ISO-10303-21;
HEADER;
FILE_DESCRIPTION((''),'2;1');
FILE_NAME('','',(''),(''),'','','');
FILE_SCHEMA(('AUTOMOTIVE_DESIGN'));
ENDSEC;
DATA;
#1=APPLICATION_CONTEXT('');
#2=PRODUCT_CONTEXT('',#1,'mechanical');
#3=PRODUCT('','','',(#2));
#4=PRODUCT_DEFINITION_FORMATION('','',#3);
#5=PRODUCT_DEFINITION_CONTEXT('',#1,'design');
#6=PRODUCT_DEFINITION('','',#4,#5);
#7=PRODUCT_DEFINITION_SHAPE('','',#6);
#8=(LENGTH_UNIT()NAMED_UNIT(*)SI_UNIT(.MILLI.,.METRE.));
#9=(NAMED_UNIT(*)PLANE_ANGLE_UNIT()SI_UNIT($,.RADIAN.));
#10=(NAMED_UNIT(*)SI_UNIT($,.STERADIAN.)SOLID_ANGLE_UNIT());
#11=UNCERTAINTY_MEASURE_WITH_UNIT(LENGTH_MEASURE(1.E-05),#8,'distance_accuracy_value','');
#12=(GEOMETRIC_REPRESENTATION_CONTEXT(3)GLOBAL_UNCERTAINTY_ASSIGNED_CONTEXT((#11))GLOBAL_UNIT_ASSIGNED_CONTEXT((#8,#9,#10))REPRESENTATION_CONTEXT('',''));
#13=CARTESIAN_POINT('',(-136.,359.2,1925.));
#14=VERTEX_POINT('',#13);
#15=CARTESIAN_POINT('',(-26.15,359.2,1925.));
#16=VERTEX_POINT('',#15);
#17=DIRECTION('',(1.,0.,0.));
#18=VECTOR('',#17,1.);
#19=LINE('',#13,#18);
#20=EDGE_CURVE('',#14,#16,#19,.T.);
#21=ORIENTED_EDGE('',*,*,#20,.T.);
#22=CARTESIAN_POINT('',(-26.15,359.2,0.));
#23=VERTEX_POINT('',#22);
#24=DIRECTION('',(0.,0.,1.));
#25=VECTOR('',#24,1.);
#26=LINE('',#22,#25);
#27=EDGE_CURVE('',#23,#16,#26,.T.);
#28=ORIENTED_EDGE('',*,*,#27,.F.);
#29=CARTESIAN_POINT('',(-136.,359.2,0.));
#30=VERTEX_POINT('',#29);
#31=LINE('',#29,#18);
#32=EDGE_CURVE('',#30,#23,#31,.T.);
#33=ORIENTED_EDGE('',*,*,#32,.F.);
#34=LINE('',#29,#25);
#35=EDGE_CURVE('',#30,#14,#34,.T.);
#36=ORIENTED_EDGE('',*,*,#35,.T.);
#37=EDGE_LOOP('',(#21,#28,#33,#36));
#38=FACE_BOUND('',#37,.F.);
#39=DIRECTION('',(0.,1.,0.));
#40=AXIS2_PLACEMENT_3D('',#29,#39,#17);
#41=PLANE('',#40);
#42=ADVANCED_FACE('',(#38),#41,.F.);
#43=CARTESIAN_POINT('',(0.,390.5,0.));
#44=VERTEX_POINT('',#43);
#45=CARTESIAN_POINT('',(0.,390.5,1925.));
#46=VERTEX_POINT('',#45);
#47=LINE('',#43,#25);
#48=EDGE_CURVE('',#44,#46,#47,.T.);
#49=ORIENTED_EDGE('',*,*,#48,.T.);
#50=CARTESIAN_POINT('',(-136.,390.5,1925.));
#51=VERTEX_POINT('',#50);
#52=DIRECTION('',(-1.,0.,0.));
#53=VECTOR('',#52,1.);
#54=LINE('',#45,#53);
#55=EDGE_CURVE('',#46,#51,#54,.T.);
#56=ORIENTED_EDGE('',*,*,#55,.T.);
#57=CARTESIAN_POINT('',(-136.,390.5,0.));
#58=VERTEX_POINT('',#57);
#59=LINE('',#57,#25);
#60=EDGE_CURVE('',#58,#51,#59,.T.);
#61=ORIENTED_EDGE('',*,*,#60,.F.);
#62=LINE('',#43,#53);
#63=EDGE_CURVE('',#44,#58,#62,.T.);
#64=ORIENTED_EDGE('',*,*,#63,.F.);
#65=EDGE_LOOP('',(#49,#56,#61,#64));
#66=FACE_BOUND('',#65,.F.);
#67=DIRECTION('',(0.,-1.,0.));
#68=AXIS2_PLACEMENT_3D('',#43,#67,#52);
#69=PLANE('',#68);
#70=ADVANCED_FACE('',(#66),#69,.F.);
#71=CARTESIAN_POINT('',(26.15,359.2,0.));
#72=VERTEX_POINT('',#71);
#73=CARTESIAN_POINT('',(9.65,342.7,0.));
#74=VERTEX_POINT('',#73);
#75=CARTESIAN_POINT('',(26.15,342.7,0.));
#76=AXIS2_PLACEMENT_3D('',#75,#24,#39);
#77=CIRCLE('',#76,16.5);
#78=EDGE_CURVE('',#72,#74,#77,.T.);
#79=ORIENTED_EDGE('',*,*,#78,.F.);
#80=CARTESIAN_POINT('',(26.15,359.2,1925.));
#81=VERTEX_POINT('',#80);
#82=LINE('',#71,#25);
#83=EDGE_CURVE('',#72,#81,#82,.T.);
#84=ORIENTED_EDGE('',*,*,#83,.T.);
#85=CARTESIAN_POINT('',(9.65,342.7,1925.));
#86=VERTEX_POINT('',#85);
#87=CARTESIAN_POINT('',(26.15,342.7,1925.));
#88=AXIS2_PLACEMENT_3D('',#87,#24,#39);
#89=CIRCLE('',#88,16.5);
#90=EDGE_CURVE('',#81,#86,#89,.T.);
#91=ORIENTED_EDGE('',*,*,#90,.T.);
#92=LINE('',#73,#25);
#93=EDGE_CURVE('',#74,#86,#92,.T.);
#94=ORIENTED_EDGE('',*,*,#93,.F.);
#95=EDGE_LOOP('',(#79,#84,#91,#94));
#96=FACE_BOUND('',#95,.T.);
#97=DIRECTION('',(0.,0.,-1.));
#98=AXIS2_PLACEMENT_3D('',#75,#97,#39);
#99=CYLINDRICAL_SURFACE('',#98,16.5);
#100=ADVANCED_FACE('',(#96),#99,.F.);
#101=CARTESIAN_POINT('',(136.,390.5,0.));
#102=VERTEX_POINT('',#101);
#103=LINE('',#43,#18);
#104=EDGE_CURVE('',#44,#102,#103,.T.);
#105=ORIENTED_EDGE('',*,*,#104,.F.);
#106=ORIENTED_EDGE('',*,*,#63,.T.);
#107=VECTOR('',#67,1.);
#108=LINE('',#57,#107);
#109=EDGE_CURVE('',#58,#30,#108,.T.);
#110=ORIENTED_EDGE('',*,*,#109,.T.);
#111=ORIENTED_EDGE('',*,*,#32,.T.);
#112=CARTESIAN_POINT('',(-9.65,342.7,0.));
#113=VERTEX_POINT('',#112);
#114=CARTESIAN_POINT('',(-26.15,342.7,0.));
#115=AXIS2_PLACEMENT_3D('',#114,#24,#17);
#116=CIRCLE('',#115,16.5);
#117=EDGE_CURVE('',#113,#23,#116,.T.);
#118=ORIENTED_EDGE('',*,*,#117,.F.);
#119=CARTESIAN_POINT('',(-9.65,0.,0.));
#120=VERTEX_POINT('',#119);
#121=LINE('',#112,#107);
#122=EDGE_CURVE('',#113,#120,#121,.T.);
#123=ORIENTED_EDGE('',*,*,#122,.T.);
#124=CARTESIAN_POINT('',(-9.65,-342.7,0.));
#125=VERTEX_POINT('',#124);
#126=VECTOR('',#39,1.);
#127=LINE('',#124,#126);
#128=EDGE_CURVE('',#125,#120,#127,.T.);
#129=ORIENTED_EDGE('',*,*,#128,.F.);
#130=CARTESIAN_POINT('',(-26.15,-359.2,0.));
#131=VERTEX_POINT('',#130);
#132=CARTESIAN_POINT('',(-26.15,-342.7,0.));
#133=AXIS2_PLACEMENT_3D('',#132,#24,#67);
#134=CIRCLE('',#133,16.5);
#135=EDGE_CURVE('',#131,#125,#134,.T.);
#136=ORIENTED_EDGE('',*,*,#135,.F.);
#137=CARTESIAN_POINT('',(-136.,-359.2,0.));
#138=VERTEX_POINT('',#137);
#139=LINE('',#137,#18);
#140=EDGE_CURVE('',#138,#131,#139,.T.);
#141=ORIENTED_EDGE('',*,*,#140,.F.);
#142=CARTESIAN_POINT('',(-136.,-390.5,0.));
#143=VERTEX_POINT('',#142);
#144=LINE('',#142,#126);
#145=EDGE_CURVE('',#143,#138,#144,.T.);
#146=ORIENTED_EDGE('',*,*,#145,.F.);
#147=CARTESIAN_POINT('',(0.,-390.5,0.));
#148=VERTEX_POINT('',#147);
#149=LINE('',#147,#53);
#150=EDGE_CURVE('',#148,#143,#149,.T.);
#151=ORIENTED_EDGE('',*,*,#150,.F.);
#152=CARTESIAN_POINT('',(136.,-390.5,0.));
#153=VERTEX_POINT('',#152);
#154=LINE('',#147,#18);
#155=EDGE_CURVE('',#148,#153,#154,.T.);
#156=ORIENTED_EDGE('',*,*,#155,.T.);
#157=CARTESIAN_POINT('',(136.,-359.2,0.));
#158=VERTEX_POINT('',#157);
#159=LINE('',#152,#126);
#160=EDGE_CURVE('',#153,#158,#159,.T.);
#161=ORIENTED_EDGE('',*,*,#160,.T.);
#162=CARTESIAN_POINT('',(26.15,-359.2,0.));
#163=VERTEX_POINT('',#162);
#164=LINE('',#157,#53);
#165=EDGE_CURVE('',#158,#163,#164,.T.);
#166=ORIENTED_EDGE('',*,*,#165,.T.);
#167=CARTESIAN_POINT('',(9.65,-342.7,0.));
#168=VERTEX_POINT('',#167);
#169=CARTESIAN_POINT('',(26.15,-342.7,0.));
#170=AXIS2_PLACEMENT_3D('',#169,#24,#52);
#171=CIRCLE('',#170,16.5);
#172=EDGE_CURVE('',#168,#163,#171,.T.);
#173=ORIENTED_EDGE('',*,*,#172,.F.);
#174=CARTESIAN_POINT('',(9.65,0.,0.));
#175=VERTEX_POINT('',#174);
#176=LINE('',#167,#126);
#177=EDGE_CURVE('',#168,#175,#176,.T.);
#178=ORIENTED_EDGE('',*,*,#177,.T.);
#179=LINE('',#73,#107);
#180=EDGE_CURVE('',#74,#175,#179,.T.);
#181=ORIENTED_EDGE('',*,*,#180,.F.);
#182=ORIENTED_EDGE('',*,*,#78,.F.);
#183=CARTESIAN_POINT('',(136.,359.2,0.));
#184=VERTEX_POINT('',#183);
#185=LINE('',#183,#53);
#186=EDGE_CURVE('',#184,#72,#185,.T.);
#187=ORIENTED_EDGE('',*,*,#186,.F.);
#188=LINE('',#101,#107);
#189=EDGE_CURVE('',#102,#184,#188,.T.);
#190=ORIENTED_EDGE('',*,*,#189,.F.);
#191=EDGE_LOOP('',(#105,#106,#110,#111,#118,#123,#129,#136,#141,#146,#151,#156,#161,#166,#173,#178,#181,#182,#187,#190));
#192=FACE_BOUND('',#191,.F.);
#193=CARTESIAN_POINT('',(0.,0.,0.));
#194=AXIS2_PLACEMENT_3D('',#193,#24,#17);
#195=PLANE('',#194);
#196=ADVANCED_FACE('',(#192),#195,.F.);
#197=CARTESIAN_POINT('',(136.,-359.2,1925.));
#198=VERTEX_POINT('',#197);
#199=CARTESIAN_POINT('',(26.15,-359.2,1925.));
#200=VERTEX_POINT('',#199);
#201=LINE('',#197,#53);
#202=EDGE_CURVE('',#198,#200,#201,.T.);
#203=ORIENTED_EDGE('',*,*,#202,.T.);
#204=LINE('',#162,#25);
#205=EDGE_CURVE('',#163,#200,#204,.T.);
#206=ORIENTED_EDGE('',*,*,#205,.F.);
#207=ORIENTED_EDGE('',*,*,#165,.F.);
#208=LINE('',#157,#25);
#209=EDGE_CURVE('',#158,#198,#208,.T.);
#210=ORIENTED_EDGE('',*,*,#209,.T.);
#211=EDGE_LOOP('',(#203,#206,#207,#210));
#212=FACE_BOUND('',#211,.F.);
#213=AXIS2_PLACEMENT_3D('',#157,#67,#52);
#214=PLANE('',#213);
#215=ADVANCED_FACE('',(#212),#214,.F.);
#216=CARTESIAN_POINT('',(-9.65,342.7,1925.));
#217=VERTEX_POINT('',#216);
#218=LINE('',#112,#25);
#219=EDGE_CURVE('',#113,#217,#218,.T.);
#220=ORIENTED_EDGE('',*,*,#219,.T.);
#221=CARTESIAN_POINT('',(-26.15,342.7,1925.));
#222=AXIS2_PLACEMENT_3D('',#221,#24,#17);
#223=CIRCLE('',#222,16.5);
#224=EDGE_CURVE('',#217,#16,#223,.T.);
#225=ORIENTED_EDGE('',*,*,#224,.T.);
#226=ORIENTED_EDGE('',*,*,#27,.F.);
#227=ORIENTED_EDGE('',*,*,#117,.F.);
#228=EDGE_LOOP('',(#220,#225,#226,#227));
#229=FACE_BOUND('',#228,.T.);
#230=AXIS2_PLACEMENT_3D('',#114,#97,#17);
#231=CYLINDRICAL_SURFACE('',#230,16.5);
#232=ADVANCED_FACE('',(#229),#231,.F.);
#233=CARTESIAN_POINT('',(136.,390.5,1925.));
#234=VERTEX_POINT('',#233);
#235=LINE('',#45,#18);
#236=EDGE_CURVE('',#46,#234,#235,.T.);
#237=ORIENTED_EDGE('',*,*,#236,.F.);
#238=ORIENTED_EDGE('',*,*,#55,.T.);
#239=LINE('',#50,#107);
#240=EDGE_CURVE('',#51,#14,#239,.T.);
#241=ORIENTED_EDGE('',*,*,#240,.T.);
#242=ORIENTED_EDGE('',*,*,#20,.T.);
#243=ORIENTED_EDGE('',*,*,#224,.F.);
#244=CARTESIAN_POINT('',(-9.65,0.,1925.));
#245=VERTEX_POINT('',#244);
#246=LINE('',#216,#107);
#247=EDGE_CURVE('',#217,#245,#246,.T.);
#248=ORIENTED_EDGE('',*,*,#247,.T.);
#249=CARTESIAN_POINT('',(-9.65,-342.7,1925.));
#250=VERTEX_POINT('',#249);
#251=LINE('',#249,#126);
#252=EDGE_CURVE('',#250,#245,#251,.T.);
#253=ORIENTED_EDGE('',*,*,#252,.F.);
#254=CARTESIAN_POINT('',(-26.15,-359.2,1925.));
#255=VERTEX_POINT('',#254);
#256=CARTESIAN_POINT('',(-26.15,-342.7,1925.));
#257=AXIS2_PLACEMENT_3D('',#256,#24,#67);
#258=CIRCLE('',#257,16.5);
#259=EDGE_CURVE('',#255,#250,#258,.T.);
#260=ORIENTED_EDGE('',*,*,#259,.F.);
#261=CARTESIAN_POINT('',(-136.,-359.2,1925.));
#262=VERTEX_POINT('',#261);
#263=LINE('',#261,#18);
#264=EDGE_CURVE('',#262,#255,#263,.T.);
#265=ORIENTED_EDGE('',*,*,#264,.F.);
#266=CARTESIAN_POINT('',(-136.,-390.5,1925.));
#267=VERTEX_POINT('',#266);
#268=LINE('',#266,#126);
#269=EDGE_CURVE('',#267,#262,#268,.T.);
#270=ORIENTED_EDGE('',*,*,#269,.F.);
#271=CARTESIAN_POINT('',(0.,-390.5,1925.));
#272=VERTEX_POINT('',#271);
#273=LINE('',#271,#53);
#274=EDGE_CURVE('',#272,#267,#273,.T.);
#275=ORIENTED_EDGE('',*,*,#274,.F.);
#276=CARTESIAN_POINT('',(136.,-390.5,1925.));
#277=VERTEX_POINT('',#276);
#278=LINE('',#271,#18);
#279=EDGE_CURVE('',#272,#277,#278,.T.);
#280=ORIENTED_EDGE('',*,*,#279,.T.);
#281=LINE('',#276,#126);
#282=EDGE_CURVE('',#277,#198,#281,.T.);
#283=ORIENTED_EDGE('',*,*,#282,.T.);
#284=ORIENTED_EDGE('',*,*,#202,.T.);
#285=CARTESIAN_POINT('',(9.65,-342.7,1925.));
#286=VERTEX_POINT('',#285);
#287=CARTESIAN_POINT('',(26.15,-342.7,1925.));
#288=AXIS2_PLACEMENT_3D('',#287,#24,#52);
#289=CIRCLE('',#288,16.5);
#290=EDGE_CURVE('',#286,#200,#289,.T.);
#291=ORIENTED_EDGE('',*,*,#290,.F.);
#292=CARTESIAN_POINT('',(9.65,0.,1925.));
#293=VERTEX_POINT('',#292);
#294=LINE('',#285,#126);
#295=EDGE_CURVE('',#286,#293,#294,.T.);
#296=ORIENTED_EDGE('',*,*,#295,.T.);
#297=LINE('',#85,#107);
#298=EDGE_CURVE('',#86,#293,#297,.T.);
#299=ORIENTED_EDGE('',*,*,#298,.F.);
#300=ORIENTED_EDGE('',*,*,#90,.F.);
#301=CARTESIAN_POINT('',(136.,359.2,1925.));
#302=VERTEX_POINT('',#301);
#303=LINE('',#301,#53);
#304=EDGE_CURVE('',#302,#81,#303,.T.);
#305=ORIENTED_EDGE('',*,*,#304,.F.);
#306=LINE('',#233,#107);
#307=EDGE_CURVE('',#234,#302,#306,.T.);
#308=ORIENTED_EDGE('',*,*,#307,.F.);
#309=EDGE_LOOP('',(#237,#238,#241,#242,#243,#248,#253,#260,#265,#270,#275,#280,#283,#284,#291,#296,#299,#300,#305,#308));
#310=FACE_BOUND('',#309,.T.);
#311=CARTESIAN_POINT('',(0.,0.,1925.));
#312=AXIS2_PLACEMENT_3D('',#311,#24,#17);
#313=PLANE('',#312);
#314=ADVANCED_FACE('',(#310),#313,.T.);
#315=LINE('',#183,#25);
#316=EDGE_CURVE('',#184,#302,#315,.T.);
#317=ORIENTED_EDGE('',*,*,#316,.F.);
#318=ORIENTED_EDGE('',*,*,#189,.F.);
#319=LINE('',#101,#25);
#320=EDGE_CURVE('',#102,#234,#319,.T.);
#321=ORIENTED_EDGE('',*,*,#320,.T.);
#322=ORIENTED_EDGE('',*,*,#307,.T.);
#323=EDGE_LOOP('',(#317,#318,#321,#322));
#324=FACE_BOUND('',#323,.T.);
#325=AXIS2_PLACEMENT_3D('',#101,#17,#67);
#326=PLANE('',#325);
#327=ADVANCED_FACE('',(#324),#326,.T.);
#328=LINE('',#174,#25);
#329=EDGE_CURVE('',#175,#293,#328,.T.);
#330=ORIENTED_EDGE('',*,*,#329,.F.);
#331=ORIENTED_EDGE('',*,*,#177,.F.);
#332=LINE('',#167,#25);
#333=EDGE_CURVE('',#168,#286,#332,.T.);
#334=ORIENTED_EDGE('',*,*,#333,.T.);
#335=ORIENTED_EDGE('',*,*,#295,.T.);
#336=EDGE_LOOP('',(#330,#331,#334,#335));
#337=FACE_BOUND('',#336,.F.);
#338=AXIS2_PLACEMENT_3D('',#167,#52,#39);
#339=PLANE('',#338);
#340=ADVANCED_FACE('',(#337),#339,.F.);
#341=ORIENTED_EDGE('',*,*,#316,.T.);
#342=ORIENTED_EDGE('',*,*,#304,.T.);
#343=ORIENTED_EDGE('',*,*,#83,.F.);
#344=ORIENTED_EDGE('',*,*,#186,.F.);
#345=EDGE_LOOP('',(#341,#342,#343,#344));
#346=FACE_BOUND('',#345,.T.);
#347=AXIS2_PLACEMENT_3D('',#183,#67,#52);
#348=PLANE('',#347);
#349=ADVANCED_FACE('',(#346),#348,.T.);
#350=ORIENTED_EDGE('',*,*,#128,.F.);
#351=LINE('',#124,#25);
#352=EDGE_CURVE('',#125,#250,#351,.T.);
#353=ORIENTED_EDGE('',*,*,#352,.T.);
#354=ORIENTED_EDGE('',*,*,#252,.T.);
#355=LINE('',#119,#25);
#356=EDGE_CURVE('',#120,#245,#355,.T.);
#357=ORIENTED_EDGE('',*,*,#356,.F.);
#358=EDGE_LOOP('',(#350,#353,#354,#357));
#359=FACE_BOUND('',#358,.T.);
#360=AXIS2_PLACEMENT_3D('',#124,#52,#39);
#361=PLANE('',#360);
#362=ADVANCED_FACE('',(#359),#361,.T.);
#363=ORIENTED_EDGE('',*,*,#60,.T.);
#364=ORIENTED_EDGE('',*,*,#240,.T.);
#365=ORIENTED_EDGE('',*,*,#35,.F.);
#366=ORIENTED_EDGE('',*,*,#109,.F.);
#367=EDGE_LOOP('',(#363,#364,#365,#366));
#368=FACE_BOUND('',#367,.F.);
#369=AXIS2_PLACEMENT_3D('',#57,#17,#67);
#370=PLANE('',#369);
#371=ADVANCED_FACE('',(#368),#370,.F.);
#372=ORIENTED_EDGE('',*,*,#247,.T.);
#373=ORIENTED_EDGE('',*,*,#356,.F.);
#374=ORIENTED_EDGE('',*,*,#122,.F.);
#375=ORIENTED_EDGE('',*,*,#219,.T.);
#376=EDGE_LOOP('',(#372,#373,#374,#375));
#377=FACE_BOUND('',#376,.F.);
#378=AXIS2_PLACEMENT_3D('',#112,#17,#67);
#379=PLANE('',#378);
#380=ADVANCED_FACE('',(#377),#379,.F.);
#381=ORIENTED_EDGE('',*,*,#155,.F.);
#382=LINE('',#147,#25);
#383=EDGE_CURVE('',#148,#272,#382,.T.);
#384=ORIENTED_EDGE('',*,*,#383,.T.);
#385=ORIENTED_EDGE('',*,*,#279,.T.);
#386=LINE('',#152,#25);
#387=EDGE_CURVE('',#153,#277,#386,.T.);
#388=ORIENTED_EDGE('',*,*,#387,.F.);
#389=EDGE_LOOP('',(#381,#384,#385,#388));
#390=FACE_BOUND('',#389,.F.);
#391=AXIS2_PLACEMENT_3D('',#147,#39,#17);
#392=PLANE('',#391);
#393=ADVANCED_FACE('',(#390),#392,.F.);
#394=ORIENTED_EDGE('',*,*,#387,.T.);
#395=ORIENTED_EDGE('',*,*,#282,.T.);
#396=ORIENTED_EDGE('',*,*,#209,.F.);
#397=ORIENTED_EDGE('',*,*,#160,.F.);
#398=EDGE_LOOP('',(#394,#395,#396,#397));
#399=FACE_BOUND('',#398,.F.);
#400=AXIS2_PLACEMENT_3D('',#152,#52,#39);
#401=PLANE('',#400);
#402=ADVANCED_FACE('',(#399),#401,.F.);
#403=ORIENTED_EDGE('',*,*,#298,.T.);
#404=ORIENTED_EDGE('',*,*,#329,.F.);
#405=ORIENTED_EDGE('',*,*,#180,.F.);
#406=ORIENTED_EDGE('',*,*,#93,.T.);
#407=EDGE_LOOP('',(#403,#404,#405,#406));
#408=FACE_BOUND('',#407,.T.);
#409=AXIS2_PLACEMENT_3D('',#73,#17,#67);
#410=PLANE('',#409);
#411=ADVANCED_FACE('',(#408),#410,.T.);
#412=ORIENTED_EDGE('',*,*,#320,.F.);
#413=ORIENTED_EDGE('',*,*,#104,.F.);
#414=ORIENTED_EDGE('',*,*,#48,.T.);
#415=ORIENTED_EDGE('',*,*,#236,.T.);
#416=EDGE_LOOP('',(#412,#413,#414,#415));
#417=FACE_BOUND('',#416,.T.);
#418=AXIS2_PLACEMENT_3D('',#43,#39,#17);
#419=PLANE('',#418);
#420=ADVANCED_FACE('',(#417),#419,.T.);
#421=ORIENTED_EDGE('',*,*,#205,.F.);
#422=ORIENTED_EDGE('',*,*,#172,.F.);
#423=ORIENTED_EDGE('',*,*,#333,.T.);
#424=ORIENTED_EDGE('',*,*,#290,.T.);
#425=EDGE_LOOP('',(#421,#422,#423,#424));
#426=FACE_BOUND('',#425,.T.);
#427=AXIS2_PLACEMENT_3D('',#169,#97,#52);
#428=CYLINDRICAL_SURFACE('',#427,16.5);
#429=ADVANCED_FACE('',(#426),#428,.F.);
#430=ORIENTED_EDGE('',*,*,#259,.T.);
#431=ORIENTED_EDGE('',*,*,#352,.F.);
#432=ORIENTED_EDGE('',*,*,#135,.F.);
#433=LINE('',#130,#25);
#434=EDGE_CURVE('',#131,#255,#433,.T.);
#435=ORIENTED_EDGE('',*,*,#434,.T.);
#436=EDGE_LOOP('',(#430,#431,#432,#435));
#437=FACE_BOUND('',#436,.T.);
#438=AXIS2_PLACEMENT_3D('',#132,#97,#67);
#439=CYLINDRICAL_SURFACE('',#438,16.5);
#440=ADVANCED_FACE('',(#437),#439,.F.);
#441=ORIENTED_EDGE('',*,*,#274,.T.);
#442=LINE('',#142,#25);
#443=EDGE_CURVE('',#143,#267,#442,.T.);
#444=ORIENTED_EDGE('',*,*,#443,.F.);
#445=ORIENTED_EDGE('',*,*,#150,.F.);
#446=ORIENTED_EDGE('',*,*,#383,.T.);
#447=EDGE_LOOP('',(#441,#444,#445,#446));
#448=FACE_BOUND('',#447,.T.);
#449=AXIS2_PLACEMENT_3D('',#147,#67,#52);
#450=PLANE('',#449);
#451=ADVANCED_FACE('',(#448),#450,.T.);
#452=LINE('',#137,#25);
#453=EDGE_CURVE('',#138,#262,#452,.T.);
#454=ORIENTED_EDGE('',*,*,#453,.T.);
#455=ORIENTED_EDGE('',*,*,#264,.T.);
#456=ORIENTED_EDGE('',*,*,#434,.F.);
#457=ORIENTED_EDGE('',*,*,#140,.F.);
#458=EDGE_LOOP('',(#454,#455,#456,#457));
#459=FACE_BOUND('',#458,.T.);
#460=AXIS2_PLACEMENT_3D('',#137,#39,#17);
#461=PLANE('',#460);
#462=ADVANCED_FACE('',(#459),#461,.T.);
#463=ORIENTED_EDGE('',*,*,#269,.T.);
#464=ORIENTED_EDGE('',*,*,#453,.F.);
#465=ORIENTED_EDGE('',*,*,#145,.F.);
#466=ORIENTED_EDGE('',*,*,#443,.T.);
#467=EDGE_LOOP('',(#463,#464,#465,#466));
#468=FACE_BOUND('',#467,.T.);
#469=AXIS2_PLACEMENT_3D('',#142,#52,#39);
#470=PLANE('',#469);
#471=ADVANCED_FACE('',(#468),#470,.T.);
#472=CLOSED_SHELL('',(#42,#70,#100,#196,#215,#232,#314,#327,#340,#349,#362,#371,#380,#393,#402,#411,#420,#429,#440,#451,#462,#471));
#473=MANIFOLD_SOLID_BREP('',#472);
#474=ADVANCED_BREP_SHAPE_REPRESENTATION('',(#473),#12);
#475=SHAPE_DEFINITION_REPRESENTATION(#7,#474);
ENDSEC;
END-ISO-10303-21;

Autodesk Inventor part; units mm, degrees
ref_plane "YZ Plane" through (0, 0, 0) normal (1, 0, 0) x (0, 1, 0)
ref_plane "Start plane" through (0, 0, 0) normal (0, 0, 1) x (1, 0, 0)
ref_plane "End plane" through (0, 0, 1925) normal (0, 0, 1) x (1, 0, 0)
sketch "Sketch" plane through (0, 0, 0) normal (0, 0, 1) x (1, 0, 0)
  line L0 (-136, -390.5) -> (-136, -359.2)
  line L1 (-136, -359.2) -> (-26.15, -359.2)
  line L2 (-9.65, -342.7) -> (-9.65, 0)
  line L3 (-9.65, 0) -> (0, 0) construction
  line L4 (0, 0) -> (0, -390.5) construction
  line L5 (0, -390.5) -> (-136, -390.5)
  line L6 (-60, 0) -> (80, 0) construction
  line L7 (0, -60) -> (0, 80) construction
  line L8 (136, -390.5) -> (136, -359.2)
  line L9 (136, -359.2) -> (26.15, -359.2)
  line L10 (9.65, -342.7) -> (9.65, 0)
  line L11 (9.65, 0) -> (0, 0) construction
  line L12 (0, -390.5) -> (136, -390.5)
  line L13 (-136, 390.5) -> (-136, 359.2)
  line L14 (-136, 359.2) -> (-26.15, 359.2)
  line L15 (-9.65, 342.7) -> (-9.65, 0)
  line L16 (0, 390.5) -> (-136, 390.5)
  line L17 (136, 390.5) -> (136, 359.2)
  line L18 (136, 359.2) -> (26.15, 359.2)
  line L19 (0, 390.5) -> (136, 390.5)
  line L20 (9.65, 342.7) -> (9.65, 0)
  arc A0 (-9.65, 342.7) -> (-26.15, 359.2) centre (-26.15, 342.7) ccw
  arc A1 (26.15, 359.2) -> (9.65, 342.7) centre (26.15, 342.7) ccw
  arc A2 (9.65, -342.7) -> (26.15, -359.2) centre (26.15, -342.7) ccw
  arc A3 (-26.15, -359.2) -> (-9.65, -342.7) centre (-26.15, -342.7) ccw
  line L21 (0, 108) -> (0, -88) construction
  line L22 (-88, 0) -> (108, 0) construction
  point P0 (-9.65, -359.2)
  point P1 (9.65, -359.2)
  point P2 (-9.65, 359.2)
  point P3 (9.65, 359.2)
  dimension "d1" = 390.5
  dimension "d2" = 31.3
  dimension "d3" = 136
  dimension "d4" = 9.65
  dimension "d10" = 16.5
extrude "Body" add sketch "Sketch" along normal up to surface (1925 mm away) from surface at 0
sketch "Sketch4" plane through (0, 0, 0) normal (0, 0, 1) x (1, 0, 0)
  line L0 (0, 0) -> (10, 0)
ref_plane "Work Plane3" through (0, 0, 0) normal (0, -1, 0) x (1, 0, 0)
sketch "Sketch5" plane through (0, 0, 0) normal (0, -1, 0) x (1, 0, 0)
  line L0 (-2, 0) -> (12, 0) projected
  line L1 (-2, 1925) -> (12, 1925) projected
  dimension "d14" = 1925
equation "\"d1\" = 0.5 * G_H"
equation "\"d2\" = G_T1"
equation "\"d3\" = 0.5 * G_W"
equation "\"d4\" = 0.5 * G_T"
equation "\"d10\" = G_IR"
equation "\"d5\" = G_L"
equation "\"G_W\" = 272"
equation "\"G_H\" = 781"
equation "\"G_T\" = 19.3"
equation "\"G_T1\" = 31.3"
equation "\"G_IR\" = 16.5"
equation "\"G_L\" = d14"
equation "\"G_OFFSET_START\" = 0"
equation "\"G_OFFSET_END\" = 0"
equation "\"d12\" = G_OFFSET_END + B_L"
equation "\"B_L\" = 1925"
properties part number "AS 3679-1990 - 760 UB - 244 - 1925" material "Steel, Mild"
